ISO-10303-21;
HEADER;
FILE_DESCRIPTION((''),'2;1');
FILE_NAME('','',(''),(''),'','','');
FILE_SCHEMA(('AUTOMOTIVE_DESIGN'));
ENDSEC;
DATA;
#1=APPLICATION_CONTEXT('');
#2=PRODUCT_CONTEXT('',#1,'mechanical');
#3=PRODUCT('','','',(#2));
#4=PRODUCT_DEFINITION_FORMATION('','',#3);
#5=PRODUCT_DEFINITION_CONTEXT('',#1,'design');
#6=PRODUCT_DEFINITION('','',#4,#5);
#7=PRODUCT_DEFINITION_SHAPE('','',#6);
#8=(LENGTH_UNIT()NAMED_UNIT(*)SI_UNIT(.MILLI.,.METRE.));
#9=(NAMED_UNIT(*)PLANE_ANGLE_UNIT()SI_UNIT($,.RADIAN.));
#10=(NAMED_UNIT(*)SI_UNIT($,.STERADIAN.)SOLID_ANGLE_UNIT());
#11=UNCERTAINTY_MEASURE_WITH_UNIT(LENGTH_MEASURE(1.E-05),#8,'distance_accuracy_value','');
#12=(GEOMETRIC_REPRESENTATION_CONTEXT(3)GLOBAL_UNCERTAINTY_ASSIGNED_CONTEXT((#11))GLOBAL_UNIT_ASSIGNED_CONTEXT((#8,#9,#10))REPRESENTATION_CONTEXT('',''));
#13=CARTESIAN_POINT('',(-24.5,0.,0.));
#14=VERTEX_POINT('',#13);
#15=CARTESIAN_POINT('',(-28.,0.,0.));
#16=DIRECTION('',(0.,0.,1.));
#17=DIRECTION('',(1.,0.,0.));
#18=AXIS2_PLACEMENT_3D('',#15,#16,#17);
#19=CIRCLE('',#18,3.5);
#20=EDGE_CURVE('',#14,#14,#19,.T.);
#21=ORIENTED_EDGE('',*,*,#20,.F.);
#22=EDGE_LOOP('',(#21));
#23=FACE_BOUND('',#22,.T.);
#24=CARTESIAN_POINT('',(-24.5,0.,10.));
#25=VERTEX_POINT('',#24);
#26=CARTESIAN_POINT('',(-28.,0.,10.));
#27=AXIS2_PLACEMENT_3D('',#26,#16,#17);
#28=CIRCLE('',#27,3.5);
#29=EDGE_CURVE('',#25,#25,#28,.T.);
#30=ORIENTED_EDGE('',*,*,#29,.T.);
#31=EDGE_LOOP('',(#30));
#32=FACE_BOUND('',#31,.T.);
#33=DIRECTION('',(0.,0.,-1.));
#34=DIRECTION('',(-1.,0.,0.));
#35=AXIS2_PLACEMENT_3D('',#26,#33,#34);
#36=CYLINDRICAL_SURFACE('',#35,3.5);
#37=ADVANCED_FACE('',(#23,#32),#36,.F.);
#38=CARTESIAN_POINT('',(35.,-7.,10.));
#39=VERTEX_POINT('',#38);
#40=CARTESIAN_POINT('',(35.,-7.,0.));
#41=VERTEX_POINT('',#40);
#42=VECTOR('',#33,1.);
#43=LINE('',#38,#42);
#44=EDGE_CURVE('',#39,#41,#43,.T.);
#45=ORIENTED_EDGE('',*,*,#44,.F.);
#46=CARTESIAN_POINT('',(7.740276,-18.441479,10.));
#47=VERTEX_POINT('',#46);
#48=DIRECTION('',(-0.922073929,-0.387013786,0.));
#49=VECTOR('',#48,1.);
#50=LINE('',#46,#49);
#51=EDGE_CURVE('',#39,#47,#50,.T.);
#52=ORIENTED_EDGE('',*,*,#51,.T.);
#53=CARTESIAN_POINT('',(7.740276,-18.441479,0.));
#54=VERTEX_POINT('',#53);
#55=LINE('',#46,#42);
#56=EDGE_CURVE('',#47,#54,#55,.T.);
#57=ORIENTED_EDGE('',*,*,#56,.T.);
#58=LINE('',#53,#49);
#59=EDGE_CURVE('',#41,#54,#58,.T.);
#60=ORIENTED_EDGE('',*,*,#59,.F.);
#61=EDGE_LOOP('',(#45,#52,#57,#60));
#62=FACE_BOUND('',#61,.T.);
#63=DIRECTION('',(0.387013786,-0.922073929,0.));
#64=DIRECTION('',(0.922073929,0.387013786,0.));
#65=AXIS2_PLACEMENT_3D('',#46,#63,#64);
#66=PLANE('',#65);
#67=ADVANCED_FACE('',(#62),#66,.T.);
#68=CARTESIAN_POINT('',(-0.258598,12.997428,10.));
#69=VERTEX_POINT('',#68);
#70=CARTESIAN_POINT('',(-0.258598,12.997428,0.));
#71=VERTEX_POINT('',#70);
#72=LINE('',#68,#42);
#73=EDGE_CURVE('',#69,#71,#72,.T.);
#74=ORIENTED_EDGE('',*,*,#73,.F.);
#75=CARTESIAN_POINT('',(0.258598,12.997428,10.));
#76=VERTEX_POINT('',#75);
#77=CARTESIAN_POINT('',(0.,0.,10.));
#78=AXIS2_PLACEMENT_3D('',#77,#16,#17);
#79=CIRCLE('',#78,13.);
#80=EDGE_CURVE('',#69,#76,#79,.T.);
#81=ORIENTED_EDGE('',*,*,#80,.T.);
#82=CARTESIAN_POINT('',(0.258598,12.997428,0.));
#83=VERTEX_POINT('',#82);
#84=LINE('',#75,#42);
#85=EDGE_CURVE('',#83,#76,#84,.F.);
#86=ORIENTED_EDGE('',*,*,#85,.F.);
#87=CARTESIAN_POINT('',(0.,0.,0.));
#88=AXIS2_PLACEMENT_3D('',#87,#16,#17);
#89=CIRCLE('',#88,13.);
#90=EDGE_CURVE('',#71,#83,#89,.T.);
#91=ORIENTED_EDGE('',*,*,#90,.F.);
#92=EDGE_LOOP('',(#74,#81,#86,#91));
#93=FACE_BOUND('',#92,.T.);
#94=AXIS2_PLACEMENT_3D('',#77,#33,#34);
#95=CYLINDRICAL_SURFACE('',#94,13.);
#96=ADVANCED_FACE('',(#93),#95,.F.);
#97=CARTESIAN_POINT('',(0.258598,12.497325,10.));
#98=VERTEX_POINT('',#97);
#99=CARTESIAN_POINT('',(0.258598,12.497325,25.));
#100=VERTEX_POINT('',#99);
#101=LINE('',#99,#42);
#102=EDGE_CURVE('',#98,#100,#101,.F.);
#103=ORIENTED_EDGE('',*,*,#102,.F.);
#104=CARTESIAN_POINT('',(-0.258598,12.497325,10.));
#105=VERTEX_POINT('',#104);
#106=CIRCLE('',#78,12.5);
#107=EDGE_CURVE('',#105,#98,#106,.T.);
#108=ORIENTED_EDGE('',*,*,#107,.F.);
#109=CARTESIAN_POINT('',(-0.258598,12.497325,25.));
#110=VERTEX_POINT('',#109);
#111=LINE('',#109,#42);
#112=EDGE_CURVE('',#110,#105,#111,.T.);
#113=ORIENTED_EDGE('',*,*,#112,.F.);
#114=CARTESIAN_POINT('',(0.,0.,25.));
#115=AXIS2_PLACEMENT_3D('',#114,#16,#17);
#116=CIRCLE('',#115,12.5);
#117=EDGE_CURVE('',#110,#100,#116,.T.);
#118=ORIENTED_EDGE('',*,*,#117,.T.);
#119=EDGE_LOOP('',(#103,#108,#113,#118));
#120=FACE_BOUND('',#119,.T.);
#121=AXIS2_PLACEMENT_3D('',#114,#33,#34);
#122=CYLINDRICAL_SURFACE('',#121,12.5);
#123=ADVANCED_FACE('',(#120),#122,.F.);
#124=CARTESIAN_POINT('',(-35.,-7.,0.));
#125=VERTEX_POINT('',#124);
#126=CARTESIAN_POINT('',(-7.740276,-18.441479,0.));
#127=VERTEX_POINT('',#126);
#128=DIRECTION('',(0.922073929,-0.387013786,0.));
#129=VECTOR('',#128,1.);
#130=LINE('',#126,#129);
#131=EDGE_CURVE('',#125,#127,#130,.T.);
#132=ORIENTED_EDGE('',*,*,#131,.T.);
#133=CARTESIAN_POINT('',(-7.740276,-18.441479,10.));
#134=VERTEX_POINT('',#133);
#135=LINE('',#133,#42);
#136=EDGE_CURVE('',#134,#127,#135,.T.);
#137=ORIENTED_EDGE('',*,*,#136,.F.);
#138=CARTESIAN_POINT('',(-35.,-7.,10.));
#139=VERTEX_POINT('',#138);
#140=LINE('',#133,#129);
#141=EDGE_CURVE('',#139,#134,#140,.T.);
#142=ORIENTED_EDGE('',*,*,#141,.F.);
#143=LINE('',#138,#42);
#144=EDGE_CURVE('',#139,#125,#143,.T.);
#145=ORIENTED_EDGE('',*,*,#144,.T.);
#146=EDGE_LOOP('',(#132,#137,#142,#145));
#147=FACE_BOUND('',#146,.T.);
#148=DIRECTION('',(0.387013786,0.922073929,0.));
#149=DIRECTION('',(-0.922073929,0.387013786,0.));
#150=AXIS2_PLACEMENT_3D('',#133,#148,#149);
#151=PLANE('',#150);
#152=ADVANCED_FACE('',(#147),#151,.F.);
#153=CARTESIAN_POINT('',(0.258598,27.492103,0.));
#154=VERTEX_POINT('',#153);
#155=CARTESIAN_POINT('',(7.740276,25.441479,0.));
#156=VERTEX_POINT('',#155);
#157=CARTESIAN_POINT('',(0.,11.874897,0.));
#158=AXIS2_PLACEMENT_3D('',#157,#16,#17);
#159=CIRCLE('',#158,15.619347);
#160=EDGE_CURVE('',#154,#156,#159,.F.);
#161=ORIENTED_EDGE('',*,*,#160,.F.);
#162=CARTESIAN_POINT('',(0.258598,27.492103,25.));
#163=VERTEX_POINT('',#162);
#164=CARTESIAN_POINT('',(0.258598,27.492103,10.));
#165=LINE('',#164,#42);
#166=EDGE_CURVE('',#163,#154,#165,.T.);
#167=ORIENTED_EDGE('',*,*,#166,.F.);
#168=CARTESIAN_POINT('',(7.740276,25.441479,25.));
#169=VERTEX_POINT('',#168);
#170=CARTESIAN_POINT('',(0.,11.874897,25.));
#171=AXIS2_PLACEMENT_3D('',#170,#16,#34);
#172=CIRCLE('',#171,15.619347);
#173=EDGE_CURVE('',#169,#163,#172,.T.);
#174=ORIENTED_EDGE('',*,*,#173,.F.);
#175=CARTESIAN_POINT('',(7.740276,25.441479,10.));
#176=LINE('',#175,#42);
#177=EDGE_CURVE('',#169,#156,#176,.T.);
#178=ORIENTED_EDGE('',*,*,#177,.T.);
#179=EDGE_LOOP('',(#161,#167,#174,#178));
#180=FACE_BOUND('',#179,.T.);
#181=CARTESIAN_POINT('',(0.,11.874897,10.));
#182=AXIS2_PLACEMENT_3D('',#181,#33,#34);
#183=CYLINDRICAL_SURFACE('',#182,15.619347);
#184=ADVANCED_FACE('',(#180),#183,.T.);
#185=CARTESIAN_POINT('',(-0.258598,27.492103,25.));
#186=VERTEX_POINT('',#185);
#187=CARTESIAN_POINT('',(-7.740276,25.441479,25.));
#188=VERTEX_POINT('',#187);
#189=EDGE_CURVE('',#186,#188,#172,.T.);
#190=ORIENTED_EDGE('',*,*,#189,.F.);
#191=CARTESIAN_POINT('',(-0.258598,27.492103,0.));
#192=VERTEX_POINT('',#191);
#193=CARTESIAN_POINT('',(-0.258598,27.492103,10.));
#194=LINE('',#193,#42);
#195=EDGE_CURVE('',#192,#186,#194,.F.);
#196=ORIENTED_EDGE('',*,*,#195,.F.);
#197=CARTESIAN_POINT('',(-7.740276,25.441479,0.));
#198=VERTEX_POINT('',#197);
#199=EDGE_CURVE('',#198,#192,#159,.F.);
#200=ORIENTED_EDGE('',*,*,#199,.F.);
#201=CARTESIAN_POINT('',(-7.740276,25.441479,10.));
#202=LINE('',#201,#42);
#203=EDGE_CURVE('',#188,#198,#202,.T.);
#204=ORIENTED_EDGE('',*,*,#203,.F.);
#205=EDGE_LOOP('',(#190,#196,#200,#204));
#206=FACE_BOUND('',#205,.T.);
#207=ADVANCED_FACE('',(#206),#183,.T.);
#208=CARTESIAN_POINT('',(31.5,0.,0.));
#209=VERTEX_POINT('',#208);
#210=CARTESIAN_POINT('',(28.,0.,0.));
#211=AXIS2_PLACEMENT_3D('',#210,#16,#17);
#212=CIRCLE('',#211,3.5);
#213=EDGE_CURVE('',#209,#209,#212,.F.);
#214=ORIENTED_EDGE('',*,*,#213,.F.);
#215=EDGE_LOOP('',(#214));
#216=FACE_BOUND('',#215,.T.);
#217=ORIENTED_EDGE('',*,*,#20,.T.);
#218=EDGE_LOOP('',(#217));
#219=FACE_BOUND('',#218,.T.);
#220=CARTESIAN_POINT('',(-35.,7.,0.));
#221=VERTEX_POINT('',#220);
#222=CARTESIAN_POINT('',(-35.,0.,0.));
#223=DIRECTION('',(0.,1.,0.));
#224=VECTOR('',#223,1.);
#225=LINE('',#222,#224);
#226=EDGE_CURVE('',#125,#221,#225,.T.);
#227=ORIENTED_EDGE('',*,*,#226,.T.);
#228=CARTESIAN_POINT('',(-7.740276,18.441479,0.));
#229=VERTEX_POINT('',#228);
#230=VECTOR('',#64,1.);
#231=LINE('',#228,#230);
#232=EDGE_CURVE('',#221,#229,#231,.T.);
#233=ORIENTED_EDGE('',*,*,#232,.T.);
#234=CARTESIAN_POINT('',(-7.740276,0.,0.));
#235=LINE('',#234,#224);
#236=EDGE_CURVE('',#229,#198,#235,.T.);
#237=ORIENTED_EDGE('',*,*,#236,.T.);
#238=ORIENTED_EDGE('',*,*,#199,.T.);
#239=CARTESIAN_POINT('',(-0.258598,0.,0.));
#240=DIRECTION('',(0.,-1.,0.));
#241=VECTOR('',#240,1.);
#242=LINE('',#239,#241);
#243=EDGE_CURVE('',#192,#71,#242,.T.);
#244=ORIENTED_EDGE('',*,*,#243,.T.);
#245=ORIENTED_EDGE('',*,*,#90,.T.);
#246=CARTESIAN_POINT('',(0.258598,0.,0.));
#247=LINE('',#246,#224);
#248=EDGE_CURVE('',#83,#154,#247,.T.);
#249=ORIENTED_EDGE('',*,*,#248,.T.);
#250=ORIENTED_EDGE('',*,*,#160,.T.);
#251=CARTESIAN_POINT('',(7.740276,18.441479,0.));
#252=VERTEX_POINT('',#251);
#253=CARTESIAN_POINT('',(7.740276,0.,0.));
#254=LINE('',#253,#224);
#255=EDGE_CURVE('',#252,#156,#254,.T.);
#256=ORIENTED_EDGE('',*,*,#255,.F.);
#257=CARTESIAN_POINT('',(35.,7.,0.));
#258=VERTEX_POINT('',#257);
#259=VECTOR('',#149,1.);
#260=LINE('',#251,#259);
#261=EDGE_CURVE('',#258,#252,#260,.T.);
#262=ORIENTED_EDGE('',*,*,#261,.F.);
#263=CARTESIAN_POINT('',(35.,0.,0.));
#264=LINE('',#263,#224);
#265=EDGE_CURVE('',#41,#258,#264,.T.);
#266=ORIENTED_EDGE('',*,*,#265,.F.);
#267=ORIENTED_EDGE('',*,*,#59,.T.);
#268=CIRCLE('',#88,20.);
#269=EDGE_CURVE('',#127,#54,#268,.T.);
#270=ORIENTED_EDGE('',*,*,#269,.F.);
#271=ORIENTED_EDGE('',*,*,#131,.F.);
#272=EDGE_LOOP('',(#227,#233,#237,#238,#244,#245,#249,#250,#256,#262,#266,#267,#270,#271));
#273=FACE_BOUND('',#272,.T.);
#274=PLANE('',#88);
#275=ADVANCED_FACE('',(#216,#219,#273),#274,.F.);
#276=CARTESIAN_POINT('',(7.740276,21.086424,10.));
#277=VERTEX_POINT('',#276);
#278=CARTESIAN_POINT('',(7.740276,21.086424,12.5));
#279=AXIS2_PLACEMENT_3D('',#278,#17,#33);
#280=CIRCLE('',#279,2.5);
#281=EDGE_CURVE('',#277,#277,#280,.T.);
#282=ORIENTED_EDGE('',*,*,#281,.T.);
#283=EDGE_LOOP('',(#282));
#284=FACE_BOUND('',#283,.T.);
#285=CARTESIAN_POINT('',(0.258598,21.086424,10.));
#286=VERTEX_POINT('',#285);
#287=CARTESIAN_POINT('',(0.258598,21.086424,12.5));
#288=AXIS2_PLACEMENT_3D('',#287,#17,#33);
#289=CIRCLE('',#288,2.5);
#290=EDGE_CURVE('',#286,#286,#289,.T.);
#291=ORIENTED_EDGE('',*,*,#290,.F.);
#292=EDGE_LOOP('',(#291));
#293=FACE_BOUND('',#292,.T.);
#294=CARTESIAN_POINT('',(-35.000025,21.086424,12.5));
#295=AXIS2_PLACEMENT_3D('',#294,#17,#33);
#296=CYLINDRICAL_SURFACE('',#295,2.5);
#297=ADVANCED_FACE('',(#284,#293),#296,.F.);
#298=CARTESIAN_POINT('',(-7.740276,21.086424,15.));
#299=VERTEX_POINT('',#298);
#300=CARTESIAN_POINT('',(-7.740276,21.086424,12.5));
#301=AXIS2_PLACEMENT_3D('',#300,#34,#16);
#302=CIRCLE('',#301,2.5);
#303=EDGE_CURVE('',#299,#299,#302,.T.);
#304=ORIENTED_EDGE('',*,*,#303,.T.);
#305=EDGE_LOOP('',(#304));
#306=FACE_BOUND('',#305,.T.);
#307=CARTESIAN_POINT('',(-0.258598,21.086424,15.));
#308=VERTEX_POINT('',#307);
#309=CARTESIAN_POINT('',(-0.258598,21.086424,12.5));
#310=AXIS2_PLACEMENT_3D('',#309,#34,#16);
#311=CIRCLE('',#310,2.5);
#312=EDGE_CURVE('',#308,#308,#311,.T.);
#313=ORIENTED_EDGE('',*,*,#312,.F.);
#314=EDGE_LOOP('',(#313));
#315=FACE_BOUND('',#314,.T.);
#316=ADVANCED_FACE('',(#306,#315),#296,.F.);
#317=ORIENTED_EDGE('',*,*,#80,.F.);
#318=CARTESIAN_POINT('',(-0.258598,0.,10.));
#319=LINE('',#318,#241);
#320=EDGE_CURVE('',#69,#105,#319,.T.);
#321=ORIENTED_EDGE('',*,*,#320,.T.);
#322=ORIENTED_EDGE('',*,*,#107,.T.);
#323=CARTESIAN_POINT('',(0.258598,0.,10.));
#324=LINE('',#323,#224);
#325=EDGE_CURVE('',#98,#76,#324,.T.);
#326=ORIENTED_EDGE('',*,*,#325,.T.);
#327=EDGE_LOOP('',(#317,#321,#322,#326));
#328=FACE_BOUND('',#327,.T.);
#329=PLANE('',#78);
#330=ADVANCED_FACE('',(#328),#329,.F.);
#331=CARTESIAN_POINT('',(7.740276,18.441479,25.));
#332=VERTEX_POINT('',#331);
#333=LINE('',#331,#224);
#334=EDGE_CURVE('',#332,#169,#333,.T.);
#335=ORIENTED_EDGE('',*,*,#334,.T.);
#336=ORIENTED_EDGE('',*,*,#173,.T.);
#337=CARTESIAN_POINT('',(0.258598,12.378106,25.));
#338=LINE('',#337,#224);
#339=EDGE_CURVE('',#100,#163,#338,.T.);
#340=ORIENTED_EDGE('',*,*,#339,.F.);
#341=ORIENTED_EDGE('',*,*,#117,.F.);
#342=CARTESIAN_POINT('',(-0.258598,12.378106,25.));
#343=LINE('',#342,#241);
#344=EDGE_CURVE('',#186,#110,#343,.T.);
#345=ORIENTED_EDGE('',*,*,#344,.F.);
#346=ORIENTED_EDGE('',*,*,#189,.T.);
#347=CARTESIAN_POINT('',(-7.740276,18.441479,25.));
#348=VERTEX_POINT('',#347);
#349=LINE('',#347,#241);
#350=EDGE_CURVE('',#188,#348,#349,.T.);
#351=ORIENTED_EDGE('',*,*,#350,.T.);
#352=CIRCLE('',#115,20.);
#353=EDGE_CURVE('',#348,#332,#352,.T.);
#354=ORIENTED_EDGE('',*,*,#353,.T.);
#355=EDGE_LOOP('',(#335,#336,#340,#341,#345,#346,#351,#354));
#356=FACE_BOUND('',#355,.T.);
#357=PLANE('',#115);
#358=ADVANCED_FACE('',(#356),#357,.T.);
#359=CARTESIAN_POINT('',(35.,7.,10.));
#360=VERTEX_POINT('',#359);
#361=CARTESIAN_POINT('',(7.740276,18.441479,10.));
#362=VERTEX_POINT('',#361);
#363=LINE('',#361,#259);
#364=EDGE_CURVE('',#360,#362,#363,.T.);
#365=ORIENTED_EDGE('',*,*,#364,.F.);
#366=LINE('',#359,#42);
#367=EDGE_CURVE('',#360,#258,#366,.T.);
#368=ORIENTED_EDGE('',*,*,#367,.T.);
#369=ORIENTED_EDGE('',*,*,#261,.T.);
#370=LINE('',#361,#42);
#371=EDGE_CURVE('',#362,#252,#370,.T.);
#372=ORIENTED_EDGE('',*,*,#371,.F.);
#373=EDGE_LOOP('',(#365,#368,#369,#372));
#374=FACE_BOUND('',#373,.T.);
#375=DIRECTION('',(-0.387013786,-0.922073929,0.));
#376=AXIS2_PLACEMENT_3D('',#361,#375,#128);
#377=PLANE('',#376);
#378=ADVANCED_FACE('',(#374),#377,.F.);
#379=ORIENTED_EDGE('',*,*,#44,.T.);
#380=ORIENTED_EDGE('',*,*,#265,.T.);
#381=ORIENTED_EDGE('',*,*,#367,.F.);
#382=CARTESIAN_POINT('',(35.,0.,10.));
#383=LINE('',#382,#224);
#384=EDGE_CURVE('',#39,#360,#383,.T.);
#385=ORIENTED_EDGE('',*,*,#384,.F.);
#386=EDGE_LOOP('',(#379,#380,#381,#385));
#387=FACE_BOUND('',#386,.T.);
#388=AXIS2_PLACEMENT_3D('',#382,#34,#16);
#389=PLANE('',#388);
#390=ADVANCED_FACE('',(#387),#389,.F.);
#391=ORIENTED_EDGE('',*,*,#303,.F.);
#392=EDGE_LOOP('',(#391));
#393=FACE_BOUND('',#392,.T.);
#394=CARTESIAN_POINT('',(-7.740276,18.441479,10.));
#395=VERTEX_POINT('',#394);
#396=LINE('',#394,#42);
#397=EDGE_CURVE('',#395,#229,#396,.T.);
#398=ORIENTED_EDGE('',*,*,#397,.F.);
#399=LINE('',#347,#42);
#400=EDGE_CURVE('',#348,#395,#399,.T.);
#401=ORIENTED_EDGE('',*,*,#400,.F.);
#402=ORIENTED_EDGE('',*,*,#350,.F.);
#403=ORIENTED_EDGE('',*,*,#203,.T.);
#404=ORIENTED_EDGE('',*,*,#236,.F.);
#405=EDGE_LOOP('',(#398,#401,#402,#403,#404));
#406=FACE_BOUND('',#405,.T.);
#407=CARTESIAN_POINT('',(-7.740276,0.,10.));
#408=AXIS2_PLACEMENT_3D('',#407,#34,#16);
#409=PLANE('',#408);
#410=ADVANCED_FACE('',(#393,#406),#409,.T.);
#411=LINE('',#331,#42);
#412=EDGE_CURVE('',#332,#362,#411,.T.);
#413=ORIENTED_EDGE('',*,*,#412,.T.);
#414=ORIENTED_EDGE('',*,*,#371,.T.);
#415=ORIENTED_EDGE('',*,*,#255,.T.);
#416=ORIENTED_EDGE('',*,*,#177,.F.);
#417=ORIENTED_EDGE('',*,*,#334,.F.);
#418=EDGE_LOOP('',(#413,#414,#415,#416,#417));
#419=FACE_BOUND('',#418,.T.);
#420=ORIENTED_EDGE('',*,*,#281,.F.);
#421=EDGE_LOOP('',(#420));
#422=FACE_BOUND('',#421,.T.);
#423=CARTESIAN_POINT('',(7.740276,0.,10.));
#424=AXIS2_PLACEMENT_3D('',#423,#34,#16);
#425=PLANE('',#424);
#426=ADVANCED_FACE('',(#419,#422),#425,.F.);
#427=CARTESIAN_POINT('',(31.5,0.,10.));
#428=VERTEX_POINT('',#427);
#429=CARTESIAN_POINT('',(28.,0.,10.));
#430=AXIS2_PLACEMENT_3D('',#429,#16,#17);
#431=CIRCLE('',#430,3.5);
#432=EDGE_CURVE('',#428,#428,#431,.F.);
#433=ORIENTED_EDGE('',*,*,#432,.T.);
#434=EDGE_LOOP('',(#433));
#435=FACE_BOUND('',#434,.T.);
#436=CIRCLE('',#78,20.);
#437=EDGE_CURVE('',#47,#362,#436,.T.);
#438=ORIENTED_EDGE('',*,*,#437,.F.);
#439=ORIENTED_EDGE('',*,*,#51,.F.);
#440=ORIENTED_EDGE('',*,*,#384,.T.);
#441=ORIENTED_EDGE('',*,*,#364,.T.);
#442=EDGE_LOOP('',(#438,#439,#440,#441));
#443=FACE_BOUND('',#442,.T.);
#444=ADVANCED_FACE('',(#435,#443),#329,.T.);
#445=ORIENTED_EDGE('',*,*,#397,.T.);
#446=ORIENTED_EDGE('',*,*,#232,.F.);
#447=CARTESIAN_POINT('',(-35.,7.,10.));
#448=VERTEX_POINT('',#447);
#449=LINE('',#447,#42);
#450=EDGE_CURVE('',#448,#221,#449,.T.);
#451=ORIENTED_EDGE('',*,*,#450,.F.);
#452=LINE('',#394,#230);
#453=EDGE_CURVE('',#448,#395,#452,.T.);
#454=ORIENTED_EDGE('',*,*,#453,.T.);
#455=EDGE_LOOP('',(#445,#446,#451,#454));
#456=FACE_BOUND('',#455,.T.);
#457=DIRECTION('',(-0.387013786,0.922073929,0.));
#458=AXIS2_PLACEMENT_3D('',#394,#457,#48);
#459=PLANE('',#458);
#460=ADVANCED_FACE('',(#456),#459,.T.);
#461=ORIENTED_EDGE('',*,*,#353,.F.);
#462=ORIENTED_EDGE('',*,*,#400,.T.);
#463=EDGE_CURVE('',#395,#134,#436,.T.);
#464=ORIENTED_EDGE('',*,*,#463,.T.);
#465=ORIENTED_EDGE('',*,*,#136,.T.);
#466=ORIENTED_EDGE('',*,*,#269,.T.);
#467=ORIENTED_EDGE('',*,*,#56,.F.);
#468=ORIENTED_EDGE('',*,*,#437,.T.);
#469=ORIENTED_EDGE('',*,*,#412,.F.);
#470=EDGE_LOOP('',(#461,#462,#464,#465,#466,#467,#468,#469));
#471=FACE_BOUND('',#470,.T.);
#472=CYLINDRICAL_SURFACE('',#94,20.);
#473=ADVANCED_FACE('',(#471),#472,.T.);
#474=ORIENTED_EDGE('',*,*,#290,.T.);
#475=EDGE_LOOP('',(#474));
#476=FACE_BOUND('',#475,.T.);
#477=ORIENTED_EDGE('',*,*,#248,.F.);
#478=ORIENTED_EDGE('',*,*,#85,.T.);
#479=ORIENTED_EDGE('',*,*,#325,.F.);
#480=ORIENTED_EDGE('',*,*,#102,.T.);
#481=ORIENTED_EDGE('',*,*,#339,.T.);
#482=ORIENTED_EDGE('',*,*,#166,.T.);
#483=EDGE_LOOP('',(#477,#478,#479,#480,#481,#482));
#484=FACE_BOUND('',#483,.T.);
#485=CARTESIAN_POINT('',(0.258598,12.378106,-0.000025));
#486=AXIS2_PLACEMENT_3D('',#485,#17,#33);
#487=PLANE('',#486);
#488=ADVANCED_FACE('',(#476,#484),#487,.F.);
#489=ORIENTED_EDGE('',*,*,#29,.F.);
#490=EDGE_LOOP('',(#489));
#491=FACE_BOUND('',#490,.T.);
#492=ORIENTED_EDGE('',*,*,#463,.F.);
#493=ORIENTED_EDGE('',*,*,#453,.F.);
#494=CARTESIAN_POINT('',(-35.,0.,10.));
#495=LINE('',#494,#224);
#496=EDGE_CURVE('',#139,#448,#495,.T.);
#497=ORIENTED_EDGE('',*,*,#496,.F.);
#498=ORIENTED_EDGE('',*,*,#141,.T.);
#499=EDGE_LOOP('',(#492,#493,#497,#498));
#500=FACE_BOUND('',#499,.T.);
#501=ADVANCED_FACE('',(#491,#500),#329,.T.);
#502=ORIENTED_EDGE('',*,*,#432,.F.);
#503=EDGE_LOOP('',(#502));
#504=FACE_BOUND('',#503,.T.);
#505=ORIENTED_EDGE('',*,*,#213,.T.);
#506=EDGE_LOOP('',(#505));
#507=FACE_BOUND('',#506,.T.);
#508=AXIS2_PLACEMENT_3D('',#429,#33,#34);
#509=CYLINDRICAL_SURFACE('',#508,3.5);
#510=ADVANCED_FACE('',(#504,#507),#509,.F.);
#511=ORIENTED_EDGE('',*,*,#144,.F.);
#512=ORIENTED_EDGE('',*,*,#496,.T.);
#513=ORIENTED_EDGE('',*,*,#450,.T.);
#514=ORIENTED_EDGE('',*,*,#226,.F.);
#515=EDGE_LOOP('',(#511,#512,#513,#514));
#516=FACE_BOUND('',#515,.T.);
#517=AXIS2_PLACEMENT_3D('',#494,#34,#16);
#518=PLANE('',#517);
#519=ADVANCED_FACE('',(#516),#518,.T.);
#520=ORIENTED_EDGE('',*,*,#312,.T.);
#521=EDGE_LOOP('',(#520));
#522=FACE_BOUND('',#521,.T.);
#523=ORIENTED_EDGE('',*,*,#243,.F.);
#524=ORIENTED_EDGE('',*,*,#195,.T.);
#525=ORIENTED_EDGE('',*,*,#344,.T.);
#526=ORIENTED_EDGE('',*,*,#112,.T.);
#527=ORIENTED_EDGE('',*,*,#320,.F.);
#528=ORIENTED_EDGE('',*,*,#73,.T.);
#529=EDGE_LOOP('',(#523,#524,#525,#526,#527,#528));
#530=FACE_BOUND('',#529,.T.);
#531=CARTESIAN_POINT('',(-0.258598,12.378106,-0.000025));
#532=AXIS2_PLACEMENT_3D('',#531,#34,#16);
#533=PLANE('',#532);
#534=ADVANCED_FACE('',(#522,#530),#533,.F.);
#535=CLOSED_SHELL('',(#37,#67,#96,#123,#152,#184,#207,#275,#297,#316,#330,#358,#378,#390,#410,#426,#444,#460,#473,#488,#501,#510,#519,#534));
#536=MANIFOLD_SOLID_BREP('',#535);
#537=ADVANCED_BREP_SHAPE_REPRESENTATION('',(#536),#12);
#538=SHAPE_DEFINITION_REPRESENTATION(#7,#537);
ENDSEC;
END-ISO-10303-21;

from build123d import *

# Parameters (mm, degrees)
SKETCH_1_R          = 3.5
SKETCH_1_R_2        = 13
EXTRUDE_2_DEPTH     = 10
SKETCH_2_R          = 12.5
EXTRUDE_3_DEPTH     = 15
SKETCH_3_W          = 0.517195108
SKETCH_3_H          = 18.726193104
CUT_EXTRUDE_1_DEPTH = 26
SKETCH_4_R          = 2.5
CUT_EXTRUDE_2_DEPTH = 43.740275714


with BuildPart() as part:
    # 草图1 → 凸台-拉伸2 (new body)
    with BuildSketch(Plane.XY):
        with BuildLine():
            Line((-35, -7), (-7.740275714, -18.44147857))
            ThreePointArc((-7.740275714, -18.44147857), (0, -20), (7.740275714, -18.44147857))
            Line((7.740275714, -18.44147857), (35, -7))
            Line((35, -7), (35, 7))
            Line((35, 7), (7.740275714, 18.44147857))
            Line((7.740275714, 18.44147857), (7.740275714, 25.44147857))
            ThreePointArc((7.740275714, 25.44147857), (0, 27.494244152), (-7.740275714, 25.44147857))
            Line((-7.740275714, 25.44147857), (-7.740275714, 18.44147857))
            Line((-7.740275714, 18.44147857), (-35, 7))
            Line((-35, 7), (-35, -7))
        make_face()
        with Locations((-28, 0)):
            Circle(SKETCH_1_R, mode=Mode.SUBTRACT)
        Circle(SKETCH_1_R_2, mode=Mode.SUBTRACT)
        with Locations((28, 0)):
            Circle(SKETCH_1_R, mode=Mode.SUBTRACT)
    extrude(amount=EXTRUDE_2_DEPTH)

    # 草图2 → 凸台-拉伸3 (add)
    with BuildSketch(Plane.XY.offset(10)):
        with BuildLine():
            Line((-7.740275714, 18.44147857), (-7.740275714, 25.44147857))
            ThreePointArc((-7.740275714, 25.44147857), (0, 27.494244152), (7.740275714, 25.44147857))
            Line((7.740275714, 25.44147857), (7.740275714, 18.44147857))
            ThreePointArc((7.740275714, 18.44147857), (0, -20), (-7.740275714, 18.44147857))
        make_face()
        Circle(SKETCH_2_R, mode=Mode.SUBTRACT)
    extrude(amount=EXTRUDE_3_DEPTH)

    # 草图3 → 切除-拉伸1 (cut, through all)
    with BuildSketch(Plane.XY.offset(25)):
        with Locations((0, 21.741202931)):
            Rectangle(SKETCH_3_W, SKETCH_3_H)
    extrude(amount=-CUT_EXTRUDE_1_DEPTH, mode=Mode.SUBTRACT)

    # 草图4 → 切除-拉伸2 (cut, through all)
    with BuildSketch(Plane(origin=(7.740275714, 0, 0), x_dir=(0, 0, -1), z_dir=(1, 0, 0))):
        with Locations((-12.5, 21.086423576)):
            Circle(SKETCH_4_R)
    extrude(amount=-CUT_EXTRUDE_2_DEPTH, mode=Mode.SUBTRACT)


solid = part.part
